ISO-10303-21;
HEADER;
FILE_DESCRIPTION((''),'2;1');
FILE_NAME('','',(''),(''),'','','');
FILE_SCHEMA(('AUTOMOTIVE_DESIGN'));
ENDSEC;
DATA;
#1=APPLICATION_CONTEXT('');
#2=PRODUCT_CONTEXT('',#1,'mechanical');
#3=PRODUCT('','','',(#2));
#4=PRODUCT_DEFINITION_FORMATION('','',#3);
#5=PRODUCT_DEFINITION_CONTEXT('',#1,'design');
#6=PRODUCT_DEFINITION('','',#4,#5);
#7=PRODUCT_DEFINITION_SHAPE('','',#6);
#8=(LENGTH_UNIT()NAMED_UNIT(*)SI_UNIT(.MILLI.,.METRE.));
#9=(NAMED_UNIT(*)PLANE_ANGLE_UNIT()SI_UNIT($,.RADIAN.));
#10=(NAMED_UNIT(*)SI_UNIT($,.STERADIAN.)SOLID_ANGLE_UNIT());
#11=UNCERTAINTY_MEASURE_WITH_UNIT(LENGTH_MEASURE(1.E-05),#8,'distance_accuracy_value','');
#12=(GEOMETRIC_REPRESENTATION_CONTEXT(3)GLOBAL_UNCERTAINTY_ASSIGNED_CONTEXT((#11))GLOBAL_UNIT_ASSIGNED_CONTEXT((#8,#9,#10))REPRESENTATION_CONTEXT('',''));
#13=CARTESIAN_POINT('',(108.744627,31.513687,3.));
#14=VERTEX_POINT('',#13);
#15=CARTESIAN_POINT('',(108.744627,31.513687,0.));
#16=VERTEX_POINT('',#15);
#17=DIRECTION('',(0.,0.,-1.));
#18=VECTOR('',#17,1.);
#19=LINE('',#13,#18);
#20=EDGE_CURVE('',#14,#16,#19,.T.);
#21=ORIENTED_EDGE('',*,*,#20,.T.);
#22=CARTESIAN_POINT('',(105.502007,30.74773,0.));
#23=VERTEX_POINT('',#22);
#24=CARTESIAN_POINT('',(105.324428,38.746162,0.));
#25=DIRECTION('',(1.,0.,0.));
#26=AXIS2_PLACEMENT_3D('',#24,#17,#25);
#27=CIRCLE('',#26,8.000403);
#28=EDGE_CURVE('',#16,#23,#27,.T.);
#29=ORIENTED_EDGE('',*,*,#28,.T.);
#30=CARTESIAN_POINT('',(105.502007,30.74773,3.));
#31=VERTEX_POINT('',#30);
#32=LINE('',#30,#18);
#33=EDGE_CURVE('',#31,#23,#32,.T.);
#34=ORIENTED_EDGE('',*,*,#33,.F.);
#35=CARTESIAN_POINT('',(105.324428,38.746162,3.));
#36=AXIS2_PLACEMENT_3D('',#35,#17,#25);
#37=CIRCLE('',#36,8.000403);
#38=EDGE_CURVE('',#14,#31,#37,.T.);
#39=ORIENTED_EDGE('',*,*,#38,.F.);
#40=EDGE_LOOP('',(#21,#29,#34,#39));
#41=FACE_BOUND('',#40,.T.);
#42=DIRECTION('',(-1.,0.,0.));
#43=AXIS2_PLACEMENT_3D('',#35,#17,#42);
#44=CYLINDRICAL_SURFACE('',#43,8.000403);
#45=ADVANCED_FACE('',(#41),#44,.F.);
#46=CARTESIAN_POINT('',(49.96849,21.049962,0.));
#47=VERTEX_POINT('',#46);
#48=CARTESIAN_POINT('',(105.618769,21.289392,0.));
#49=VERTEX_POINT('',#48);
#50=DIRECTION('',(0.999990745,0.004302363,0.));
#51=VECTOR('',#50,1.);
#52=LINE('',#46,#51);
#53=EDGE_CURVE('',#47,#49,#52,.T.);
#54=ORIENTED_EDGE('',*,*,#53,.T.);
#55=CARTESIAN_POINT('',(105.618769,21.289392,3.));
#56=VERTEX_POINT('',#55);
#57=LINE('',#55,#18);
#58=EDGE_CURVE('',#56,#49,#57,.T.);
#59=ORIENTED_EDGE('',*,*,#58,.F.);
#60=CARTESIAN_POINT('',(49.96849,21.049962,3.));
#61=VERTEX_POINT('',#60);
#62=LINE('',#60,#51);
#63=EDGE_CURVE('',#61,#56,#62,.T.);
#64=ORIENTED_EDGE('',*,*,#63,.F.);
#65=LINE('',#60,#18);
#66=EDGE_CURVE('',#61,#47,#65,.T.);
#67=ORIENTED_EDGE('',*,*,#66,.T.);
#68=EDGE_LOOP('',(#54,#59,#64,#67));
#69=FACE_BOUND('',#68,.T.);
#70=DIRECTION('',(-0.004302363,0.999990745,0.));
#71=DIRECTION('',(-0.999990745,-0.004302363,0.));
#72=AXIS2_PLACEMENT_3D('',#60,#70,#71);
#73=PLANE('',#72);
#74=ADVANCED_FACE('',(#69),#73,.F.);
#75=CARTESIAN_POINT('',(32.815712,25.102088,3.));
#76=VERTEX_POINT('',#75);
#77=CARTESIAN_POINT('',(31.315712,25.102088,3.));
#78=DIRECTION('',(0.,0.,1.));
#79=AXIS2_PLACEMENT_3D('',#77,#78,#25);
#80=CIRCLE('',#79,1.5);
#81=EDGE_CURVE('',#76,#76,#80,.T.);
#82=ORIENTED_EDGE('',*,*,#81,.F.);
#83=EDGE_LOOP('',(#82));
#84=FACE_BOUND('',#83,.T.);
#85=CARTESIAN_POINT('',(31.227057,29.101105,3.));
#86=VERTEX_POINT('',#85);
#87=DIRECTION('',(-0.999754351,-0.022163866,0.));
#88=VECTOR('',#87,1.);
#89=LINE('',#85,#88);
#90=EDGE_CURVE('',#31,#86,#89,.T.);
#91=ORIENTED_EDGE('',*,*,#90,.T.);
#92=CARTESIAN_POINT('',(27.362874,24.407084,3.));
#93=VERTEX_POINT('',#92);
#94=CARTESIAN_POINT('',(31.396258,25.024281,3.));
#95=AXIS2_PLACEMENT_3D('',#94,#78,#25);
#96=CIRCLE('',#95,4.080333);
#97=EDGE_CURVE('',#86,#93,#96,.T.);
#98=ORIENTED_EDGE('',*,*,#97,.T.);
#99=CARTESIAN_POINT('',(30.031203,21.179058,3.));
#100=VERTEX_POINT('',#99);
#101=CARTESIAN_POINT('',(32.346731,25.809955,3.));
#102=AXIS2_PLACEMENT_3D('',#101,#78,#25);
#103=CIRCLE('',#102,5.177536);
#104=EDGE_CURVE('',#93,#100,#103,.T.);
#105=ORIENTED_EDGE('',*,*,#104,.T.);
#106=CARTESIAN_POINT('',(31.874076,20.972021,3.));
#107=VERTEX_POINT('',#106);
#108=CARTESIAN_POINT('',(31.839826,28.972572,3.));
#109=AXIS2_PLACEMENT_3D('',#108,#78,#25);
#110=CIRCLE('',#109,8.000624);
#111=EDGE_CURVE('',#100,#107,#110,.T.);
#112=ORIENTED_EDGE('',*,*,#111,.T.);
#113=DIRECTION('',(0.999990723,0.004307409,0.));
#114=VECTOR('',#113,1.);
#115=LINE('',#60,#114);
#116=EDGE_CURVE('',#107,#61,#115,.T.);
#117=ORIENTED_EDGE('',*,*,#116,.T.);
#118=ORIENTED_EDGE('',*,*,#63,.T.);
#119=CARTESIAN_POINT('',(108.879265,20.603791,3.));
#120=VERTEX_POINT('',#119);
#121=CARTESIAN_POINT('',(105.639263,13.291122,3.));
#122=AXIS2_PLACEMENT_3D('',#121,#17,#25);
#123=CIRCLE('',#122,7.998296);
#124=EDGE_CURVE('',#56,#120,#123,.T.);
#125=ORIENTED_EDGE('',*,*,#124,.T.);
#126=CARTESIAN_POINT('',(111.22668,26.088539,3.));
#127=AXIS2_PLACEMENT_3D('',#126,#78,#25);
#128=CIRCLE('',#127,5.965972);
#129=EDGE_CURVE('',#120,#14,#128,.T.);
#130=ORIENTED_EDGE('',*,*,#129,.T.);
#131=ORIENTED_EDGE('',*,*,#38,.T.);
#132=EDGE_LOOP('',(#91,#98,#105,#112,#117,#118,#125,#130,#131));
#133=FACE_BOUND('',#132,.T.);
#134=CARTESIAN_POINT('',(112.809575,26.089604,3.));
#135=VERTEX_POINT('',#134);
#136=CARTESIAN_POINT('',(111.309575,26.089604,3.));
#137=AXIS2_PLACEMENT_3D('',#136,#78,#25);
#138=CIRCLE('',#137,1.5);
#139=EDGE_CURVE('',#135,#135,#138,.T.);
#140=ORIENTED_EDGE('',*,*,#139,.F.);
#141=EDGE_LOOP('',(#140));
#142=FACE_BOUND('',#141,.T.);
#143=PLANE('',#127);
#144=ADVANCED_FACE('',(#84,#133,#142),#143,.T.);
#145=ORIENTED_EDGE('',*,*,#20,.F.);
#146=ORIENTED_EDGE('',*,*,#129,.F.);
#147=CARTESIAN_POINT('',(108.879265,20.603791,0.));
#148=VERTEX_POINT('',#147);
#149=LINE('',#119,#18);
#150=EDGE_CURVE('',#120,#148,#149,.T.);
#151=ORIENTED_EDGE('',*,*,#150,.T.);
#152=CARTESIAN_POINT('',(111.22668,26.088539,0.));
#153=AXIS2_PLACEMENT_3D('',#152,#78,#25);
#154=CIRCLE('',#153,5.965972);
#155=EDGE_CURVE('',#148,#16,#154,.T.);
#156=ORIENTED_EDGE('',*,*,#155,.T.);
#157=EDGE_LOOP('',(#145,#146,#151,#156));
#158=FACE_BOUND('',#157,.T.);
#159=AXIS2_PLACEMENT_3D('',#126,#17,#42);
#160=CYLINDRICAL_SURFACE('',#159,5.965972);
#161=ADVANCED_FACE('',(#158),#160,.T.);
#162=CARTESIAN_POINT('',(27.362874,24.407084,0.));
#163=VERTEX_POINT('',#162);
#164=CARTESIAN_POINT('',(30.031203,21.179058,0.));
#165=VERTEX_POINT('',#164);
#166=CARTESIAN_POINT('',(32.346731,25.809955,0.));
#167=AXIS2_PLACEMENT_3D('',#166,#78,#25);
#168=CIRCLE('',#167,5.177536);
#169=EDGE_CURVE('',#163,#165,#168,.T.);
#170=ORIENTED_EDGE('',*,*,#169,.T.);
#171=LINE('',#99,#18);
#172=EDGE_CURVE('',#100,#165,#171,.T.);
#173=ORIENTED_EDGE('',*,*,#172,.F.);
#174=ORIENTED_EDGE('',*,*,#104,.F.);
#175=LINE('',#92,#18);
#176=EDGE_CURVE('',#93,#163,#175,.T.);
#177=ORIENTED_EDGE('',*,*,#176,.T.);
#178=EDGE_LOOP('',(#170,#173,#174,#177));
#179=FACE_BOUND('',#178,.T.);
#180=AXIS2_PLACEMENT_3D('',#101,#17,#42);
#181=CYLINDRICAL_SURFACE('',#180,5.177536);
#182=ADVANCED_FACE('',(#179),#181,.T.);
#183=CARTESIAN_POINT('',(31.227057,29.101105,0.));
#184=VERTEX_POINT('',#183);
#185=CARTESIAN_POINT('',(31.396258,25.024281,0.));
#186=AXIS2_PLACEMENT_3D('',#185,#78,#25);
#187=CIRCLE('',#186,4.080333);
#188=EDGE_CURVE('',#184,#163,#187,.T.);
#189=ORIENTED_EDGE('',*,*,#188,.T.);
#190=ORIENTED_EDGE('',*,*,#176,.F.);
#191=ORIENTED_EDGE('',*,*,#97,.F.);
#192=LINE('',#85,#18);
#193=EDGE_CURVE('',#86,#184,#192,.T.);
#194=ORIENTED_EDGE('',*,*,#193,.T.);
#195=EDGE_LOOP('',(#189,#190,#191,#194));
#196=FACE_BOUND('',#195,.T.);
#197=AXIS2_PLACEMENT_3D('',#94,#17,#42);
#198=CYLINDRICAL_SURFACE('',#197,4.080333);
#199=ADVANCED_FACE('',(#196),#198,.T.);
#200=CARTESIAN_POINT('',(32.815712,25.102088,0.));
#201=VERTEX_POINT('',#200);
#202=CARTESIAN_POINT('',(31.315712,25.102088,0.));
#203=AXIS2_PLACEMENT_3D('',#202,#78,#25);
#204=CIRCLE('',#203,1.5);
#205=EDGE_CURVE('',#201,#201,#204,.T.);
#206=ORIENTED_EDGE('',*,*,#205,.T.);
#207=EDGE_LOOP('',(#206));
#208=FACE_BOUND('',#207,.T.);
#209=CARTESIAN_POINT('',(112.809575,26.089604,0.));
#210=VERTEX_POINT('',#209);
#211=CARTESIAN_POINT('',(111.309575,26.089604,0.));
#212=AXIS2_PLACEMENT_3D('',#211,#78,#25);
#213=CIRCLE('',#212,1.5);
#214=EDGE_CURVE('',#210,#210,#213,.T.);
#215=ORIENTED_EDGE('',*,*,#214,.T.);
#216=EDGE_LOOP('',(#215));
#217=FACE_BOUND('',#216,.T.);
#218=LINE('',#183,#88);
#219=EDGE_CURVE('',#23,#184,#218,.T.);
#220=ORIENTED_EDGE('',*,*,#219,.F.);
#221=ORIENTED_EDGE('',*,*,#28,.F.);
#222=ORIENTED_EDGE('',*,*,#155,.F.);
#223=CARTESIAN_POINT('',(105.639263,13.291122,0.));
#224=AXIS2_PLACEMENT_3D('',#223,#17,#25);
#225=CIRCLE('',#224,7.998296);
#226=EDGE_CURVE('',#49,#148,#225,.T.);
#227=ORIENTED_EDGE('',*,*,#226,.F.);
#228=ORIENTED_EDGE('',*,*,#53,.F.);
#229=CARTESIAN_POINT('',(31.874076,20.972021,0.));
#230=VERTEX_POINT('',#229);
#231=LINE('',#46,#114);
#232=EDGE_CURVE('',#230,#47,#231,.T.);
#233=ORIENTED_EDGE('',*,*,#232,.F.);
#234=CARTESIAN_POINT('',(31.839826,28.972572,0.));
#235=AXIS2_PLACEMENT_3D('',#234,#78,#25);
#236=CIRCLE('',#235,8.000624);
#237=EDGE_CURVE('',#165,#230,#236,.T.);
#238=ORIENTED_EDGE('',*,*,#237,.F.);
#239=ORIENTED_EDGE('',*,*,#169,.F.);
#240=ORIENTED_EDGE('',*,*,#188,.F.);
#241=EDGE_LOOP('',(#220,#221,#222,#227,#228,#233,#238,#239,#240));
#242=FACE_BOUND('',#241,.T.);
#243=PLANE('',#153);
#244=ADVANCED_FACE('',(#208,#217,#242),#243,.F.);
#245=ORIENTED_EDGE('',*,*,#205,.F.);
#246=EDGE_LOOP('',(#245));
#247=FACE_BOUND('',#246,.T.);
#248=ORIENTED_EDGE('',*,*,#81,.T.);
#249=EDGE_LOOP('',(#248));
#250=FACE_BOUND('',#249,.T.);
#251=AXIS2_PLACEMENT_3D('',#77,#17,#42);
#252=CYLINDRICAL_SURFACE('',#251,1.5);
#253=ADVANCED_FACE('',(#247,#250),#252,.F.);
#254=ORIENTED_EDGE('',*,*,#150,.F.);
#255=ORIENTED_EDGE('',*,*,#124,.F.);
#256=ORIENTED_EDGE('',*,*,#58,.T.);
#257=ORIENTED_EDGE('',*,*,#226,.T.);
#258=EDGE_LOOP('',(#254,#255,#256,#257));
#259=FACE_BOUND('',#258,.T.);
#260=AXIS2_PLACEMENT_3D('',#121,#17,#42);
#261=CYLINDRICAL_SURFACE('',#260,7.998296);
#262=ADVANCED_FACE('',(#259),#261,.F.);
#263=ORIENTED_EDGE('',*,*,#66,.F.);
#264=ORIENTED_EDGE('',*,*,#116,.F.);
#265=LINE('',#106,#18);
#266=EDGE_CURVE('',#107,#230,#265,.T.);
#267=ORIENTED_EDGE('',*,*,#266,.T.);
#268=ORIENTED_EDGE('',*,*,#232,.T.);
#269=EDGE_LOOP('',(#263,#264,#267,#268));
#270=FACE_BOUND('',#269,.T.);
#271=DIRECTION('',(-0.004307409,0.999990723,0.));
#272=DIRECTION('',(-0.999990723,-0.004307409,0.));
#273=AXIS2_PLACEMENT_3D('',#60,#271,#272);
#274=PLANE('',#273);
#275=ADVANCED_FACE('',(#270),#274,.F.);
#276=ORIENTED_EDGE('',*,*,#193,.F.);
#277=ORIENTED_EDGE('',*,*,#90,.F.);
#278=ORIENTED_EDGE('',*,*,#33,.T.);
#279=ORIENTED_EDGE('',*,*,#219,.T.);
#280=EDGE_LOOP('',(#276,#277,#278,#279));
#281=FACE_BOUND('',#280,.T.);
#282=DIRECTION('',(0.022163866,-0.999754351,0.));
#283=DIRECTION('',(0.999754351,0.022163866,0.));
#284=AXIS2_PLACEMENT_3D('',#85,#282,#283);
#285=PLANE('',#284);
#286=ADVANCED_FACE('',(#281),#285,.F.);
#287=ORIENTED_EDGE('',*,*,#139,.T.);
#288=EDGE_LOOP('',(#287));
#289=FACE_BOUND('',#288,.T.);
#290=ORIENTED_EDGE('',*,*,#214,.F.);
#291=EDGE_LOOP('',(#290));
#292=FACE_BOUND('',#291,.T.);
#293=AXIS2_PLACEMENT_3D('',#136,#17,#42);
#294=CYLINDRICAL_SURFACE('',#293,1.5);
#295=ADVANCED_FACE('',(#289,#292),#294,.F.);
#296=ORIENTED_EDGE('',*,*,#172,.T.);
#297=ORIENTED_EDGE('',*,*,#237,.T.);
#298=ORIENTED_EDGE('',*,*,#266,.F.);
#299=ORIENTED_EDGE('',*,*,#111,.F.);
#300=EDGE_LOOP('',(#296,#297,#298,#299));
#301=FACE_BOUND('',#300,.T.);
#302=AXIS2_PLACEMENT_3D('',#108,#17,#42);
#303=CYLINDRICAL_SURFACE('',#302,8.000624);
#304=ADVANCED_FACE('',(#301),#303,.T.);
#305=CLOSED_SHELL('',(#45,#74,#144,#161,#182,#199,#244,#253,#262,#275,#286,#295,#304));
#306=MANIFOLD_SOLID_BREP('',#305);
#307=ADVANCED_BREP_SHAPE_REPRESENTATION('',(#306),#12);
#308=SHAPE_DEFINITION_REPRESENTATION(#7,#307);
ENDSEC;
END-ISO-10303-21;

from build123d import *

# Parameters (mm, degrees)
MODEL_R             = 1.5
BOSS_EXTRUDE1_DEPTH = 3


with BuildPart() as part:
    # Model → Boss-Extrude1 (new body)
    with BuildSketch(Plane.XY):
        with BuildLine():
            Line((49.968489673, 21.049962128), (105.618768597, 21.289392046))
            ThreePointArc((105.618768597, 21.289392046), (107.285112204, 21.118249382), (108.87926509, 20.60379102))
            ThreePointArc((108.87926509, 20.60379102), (117.192196904, 26.162159278), (108.74462654, 31.51368691))
            ThreePointArc((108.74462654, 31.51368691), (107.163632348, 30.960034557), (105.502006567, 30.747729758))
            Line((105.502006567, 30.747729758), (31.227056592, 29.101105192))
            ThreePointArc((31.227056592, 29.101105192), (28.246037105, 27.617586299), (27.362873685, 24.407083556))
            ThreePointArc((27.362873685, 24.407083556), (28.356080114, 22.511229951), (30.031202973, 21.179057549))
            ThreePointArc((30.031202973, 21.179057549), (30.946620491, 21.021963969), (31.874075806, 20.972021358))
            Line((31.874075806, 20.972021358), (49.968489673, 21.049962128))
        make_face()
        with Locations((31.31571206, 25.102087789)):
            Circle(MODEL_R, mode=Mode.SUBTRACT)
        with Locations((111.309575273, 26.089603674)):
            Circle(MODEL_R, mode=Mode.SUBTRACT)
    extrude(amount=BOSS_EXTRUDE1_DEPTH)


solid = part.part
